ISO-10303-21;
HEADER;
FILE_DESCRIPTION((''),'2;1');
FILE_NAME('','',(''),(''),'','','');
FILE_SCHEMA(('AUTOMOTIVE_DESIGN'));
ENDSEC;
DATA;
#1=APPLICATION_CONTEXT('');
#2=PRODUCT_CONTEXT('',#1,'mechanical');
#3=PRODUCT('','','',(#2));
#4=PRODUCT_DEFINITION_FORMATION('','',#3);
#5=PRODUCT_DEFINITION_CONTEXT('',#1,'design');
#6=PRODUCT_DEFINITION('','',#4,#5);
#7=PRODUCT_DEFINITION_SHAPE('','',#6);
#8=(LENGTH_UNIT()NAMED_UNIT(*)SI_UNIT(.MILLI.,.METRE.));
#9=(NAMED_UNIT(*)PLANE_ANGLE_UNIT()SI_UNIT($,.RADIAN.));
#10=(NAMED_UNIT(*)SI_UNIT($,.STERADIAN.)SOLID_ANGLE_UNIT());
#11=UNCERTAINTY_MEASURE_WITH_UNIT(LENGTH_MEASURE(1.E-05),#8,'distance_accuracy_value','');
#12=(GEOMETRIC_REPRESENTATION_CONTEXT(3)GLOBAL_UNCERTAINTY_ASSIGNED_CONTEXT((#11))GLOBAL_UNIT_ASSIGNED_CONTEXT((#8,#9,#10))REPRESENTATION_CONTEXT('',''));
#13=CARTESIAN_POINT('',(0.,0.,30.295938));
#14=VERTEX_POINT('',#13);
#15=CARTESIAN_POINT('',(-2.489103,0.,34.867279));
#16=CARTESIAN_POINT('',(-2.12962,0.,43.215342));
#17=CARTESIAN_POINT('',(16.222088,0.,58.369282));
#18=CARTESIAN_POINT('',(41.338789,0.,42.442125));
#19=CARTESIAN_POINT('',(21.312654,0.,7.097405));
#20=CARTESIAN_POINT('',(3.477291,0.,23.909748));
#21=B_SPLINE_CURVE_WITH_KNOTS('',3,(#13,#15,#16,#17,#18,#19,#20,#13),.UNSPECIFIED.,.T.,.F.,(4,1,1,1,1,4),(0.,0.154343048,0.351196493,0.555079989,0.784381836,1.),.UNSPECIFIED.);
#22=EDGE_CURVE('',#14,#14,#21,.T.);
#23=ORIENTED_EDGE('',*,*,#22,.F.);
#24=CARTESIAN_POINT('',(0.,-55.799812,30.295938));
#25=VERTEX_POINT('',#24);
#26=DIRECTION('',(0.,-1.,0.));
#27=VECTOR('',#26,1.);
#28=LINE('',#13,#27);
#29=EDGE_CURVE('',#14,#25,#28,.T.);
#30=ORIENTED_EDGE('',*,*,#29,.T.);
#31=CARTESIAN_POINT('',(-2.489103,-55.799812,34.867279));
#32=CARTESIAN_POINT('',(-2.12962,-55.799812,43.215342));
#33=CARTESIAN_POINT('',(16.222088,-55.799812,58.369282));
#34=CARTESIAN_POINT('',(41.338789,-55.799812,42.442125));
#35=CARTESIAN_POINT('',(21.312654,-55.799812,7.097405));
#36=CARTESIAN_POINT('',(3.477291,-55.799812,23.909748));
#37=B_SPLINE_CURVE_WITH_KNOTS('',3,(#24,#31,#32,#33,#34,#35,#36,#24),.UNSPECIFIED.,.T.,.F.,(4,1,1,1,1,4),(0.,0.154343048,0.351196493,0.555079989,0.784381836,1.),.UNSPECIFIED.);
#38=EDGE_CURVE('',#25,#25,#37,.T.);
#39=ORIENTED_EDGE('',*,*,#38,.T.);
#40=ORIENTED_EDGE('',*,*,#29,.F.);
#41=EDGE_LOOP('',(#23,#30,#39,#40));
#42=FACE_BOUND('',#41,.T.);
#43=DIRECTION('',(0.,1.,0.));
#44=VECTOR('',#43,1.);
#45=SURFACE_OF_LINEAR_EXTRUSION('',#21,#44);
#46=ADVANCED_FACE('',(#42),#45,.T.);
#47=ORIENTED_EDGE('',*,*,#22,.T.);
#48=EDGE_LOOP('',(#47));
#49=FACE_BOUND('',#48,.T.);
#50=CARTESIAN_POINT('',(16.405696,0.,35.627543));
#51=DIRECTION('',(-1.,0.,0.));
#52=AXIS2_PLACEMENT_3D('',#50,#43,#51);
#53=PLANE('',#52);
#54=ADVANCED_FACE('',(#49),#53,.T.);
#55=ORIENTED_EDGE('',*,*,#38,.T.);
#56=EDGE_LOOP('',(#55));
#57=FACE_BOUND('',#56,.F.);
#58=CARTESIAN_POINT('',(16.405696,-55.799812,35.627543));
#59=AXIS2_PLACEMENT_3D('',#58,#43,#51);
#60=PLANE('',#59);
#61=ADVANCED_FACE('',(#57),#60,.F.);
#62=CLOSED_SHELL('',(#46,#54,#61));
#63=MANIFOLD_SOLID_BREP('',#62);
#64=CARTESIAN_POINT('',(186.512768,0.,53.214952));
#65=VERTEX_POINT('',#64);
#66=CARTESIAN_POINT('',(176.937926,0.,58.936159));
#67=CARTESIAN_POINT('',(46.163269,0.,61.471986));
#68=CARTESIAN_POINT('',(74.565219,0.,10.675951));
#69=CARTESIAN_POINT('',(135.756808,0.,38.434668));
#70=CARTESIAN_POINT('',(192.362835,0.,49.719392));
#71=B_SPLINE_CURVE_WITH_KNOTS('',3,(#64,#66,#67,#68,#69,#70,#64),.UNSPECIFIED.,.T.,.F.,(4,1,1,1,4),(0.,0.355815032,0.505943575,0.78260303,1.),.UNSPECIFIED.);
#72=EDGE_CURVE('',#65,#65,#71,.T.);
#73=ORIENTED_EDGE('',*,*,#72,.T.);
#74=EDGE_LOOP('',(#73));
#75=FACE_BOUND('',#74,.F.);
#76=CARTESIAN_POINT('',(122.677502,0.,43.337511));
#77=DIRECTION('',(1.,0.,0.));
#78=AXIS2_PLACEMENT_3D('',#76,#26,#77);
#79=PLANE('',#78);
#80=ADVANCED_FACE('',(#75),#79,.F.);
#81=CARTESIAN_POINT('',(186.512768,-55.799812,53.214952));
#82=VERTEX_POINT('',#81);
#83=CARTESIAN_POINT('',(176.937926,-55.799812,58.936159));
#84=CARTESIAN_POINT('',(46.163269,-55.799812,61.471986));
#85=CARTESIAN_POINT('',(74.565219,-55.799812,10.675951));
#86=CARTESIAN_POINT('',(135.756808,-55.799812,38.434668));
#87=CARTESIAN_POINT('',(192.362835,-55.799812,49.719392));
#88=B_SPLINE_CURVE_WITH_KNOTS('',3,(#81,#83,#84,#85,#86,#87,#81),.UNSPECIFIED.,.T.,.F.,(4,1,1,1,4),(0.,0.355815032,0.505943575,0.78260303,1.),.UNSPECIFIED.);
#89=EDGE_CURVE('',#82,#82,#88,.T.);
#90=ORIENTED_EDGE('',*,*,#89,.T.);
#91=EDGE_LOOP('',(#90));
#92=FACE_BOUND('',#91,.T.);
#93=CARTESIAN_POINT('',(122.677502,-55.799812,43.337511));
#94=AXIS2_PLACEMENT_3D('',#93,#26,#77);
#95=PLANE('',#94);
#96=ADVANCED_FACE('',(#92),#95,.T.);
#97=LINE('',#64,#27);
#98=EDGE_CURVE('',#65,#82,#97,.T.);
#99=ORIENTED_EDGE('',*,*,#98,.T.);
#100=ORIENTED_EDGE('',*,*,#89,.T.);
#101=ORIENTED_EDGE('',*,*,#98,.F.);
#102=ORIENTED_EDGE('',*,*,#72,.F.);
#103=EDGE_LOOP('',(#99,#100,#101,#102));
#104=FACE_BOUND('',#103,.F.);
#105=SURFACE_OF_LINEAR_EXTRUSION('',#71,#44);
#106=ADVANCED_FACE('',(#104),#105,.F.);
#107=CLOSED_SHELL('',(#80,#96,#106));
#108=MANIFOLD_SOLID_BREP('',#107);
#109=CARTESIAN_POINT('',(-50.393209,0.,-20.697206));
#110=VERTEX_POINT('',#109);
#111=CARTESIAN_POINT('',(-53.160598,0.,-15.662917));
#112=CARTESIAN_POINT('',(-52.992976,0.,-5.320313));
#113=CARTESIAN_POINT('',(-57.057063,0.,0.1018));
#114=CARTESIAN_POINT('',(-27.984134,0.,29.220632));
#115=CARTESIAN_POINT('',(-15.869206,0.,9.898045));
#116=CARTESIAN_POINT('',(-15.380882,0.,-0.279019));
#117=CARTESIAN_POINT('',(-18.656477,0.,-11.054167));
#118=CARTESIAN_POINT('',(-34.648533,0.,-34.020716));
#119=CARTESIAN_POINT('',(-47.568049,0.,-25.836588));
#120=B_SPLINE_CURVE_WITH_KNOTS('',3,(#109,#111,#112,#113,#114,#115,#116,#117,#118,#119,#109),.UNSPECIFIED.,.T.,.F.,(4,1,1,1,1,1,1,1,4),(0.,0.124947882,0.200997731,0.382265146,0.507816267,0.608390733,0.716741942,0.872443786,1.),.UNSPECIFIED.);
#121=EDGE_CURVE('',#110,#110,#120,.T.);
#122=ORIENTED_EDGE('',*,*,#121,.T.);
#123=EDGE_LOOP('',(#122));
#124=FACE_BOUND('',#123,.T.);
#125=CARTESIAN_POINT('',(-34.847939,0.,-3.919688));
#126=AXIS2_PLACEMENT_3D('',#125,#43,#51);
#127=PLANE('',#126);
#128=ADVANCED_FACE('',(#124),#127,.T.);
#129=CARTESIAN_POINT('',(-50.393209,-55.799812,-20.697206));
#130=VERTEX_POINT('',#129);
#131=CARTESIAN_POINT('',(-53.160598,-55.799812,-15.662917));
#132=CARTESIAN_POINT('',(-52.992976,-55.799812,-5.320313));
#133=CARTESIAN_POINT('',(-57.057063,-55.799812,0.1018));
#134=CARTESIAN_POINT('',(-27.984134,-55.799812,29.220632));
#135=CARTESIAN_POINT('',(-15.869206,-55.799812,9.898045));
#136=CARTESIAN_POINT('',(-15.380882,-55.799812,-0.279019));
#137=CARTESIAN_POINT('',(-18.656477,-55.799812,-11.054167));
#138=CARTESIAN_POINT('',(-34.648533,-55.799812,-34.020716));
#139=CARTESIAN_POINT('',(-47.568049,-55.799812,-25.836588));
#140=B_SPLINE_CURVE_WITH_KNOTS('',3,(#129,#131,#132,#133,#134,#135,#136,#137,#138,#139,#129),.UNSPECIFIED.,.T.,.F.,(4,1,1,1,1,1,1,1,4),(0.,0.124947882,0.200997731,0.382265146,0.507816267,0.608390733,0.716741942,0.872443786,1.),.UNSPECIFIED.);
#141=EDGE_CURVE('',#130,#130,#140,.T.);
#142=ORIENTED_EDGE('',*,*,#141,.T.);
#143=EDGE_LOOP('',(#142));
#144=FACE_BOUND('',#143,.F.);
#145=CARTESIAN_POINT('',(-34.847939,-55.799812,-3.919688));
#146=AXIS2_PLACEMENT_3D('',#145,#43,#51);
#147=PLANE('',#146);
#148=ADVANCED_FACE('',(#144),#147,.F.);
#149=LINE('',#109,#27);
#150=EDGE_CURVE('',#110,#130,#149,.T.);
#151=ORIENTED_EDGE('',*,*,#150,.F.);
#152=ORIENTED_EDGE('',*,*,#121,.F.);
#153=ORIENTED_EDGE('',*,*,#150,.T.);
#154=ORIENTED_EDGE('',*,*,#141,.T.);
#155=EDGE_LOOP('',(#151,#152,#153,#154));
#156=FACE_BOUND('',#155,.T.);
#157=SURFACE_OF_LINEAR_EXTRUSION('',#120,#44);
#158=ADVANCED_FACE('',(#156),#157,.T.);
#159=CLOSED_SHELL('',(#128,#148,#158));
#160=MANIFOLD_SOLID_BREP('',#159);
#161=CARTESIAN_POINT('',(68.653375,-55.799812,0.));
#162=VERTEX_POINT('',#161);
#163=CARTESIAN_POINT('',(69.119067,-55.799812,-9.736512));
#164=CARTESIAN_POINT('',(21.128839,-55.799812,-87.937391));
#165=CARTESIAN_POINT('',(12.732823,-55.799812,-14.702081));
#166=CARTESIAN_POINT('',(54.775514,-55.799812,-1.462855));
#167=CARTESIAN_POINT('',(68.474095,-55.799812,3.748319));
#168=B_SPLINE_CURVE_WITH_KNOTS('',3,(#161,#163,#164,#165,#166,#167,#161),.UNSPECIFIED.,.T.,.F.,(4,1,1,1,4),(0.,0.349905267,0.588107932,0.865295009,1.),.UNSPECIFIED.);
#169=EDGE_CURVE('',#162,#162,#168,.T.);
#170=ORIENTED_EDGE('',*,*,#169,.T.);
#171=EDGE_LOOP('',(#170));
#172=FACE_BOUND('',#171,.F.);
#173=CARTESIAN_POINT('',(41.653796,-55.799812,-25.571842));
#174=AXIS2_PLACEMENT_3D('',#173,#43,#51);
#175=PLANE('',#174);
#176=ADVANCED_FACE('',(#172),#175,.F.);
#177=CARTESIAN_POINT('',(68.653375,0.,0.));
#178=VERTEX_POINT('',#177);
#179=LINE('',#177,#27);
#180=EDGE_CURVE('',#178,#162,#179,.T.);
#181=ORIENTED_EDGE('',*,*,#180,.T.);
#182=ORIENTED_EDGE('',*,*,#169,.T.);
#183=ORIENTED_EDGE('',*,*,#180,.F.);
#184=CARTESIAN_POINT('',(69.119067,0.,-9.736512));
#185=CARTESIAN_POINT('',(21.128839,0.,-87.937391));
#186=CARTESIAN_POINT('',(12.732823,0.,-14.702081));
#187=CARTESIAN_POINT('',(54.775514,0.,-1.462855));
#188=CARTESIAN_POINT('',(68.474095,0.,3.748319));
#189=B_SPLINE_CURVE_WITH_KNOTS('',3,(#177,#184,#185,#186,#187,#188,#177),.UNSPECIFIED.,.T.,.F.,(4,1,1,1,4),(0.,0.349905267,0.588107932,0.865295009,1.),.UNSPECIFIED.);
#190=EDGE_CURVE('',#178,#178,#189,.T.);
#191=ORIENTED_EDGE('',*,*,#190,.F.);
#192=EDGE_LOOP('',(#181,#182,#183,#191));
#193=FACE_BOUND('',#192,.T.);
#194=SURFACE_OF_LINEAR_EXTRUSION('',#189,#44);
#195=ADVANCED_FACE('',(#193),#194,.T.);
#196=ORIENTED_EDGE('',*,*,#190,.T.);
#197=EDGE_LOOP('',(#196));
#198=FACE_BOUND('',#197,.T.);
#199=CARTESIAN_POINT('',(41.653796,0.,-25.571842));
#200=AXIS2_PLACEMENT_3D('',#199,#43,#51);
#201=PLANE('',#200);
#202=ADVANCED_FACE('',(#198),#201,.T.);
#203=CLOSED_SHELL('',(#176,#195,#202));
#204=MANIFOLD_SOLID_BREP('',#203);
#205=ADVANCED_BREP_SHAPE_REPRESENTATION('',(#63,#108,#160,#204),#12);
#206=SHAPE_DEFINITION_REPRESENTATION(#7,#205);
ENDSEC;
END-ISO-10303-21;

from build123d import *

# Parameters (mm, degrees)
F1_DEPTH = 55.7998120785


with BuildPart() as f1:
    # F0 (on Front) → F1 (new body)
    with BuildSketch(Plane.XZ):
        with BuildLine():
            add(Edge.make_bspline(
                [(-50.3932088614, -20.6972062588), (-53.1605980151, -15.6629167978), (-52.9929755529, -5.3203132219), (-57.0570630098, 0.1017999027), (-27.9841341913, 29.2206318234), (-15.8692056897, 9.8980452006), (-15.3808815324, -0.2790192775), (-18.656476799, -11.0541673251), (-34.6485328392, -34.0207157808), (-47.5680494596, -25.8365883305), (-50.3932088614, -20.6972062588)],
                knots=[0, 0, 0, 0, 0.124947882, 0.2009977306, 0.3822651463, 0.5078162674, 0.6083907329, 0.7167419415, 0.8724437859, 1, 1, 1, 1], degree=3))
        make_face()
    extrude(amount=F1_DEPTH)


with BuildPart() as f1b:
    # F0 (on Front) → F1, piece 2 (new body)
    with BuildSketch(Plane.XZ):
        with BuildLine():
            add(Edge.make_bspline(
                [(0, 30.2959382534), (-2.4891025865, 34.8672791365), (-2.1296202937, 43.2153416399), (16.2220882097, 58.3692817649), (41.3387889379, 42.4421254446), (21.3126537064, 7.0974046549), (3.4772912566, 23.9097475959), (0, 30.2959382534)],
                knots=[0, 0, 0, 0, 0.1543430478, 0.3511964928, 0.5550799891, 0.7843818357, 1, 1, 1, 1], degree=3))
        make_face()
    extrude(amount=F1_DEPTH)


with BuildPart() as f1c:
    # F0 (on Front) → F1, piece 3 (new body)
    with BuildSketch(Plane.XZ):
        with BuildLine():
            add(Edge.make_bspline(
                [(68.6533749104, 0), (69.119067456, -9.7365118019), (21.1288393461, -87.9373910757), (12.7328226193, -14.7020808968), (54.775514341, -1.462854511), (68.4740946423, 3.748319491), (68.6533749104, 0)],
                knots=[0, 0, 0, 0, 0.3499052673, 0.5881079323, 0.8652950091, 1, 1, 1, 1], degree=3))
        make_face()
    extrude(amount=F1_DEPTH)


with BuildPart() as f1d:
    # F0 (on Front) → F1, piece 4 (new body)
    with BuildSketch(Plane.XZ):
        with BuildLine():
            add(Edge.make_bspline(
                [(186.5127682686, 53.2149523497), (176.9379260284, 58.9361590176), (46.1632686525, 61.4719855452), (74.5652190982, 10.6759505097), (135.7568079379, 38.4346678138), (192.3628350324, 49.7193917819), (186.5127682686, 53.2149523497)],
                knots=[0, 0, 0, 0, 0.3558150318, 0.5059435754, 0.78260303, 1, 1, 1, 1], degree=3))
        make_face()
    extrude(amount=F1_DEPTH)


solid = Compound([f1.part, f1b.part, f1c.part, f1d.part])
